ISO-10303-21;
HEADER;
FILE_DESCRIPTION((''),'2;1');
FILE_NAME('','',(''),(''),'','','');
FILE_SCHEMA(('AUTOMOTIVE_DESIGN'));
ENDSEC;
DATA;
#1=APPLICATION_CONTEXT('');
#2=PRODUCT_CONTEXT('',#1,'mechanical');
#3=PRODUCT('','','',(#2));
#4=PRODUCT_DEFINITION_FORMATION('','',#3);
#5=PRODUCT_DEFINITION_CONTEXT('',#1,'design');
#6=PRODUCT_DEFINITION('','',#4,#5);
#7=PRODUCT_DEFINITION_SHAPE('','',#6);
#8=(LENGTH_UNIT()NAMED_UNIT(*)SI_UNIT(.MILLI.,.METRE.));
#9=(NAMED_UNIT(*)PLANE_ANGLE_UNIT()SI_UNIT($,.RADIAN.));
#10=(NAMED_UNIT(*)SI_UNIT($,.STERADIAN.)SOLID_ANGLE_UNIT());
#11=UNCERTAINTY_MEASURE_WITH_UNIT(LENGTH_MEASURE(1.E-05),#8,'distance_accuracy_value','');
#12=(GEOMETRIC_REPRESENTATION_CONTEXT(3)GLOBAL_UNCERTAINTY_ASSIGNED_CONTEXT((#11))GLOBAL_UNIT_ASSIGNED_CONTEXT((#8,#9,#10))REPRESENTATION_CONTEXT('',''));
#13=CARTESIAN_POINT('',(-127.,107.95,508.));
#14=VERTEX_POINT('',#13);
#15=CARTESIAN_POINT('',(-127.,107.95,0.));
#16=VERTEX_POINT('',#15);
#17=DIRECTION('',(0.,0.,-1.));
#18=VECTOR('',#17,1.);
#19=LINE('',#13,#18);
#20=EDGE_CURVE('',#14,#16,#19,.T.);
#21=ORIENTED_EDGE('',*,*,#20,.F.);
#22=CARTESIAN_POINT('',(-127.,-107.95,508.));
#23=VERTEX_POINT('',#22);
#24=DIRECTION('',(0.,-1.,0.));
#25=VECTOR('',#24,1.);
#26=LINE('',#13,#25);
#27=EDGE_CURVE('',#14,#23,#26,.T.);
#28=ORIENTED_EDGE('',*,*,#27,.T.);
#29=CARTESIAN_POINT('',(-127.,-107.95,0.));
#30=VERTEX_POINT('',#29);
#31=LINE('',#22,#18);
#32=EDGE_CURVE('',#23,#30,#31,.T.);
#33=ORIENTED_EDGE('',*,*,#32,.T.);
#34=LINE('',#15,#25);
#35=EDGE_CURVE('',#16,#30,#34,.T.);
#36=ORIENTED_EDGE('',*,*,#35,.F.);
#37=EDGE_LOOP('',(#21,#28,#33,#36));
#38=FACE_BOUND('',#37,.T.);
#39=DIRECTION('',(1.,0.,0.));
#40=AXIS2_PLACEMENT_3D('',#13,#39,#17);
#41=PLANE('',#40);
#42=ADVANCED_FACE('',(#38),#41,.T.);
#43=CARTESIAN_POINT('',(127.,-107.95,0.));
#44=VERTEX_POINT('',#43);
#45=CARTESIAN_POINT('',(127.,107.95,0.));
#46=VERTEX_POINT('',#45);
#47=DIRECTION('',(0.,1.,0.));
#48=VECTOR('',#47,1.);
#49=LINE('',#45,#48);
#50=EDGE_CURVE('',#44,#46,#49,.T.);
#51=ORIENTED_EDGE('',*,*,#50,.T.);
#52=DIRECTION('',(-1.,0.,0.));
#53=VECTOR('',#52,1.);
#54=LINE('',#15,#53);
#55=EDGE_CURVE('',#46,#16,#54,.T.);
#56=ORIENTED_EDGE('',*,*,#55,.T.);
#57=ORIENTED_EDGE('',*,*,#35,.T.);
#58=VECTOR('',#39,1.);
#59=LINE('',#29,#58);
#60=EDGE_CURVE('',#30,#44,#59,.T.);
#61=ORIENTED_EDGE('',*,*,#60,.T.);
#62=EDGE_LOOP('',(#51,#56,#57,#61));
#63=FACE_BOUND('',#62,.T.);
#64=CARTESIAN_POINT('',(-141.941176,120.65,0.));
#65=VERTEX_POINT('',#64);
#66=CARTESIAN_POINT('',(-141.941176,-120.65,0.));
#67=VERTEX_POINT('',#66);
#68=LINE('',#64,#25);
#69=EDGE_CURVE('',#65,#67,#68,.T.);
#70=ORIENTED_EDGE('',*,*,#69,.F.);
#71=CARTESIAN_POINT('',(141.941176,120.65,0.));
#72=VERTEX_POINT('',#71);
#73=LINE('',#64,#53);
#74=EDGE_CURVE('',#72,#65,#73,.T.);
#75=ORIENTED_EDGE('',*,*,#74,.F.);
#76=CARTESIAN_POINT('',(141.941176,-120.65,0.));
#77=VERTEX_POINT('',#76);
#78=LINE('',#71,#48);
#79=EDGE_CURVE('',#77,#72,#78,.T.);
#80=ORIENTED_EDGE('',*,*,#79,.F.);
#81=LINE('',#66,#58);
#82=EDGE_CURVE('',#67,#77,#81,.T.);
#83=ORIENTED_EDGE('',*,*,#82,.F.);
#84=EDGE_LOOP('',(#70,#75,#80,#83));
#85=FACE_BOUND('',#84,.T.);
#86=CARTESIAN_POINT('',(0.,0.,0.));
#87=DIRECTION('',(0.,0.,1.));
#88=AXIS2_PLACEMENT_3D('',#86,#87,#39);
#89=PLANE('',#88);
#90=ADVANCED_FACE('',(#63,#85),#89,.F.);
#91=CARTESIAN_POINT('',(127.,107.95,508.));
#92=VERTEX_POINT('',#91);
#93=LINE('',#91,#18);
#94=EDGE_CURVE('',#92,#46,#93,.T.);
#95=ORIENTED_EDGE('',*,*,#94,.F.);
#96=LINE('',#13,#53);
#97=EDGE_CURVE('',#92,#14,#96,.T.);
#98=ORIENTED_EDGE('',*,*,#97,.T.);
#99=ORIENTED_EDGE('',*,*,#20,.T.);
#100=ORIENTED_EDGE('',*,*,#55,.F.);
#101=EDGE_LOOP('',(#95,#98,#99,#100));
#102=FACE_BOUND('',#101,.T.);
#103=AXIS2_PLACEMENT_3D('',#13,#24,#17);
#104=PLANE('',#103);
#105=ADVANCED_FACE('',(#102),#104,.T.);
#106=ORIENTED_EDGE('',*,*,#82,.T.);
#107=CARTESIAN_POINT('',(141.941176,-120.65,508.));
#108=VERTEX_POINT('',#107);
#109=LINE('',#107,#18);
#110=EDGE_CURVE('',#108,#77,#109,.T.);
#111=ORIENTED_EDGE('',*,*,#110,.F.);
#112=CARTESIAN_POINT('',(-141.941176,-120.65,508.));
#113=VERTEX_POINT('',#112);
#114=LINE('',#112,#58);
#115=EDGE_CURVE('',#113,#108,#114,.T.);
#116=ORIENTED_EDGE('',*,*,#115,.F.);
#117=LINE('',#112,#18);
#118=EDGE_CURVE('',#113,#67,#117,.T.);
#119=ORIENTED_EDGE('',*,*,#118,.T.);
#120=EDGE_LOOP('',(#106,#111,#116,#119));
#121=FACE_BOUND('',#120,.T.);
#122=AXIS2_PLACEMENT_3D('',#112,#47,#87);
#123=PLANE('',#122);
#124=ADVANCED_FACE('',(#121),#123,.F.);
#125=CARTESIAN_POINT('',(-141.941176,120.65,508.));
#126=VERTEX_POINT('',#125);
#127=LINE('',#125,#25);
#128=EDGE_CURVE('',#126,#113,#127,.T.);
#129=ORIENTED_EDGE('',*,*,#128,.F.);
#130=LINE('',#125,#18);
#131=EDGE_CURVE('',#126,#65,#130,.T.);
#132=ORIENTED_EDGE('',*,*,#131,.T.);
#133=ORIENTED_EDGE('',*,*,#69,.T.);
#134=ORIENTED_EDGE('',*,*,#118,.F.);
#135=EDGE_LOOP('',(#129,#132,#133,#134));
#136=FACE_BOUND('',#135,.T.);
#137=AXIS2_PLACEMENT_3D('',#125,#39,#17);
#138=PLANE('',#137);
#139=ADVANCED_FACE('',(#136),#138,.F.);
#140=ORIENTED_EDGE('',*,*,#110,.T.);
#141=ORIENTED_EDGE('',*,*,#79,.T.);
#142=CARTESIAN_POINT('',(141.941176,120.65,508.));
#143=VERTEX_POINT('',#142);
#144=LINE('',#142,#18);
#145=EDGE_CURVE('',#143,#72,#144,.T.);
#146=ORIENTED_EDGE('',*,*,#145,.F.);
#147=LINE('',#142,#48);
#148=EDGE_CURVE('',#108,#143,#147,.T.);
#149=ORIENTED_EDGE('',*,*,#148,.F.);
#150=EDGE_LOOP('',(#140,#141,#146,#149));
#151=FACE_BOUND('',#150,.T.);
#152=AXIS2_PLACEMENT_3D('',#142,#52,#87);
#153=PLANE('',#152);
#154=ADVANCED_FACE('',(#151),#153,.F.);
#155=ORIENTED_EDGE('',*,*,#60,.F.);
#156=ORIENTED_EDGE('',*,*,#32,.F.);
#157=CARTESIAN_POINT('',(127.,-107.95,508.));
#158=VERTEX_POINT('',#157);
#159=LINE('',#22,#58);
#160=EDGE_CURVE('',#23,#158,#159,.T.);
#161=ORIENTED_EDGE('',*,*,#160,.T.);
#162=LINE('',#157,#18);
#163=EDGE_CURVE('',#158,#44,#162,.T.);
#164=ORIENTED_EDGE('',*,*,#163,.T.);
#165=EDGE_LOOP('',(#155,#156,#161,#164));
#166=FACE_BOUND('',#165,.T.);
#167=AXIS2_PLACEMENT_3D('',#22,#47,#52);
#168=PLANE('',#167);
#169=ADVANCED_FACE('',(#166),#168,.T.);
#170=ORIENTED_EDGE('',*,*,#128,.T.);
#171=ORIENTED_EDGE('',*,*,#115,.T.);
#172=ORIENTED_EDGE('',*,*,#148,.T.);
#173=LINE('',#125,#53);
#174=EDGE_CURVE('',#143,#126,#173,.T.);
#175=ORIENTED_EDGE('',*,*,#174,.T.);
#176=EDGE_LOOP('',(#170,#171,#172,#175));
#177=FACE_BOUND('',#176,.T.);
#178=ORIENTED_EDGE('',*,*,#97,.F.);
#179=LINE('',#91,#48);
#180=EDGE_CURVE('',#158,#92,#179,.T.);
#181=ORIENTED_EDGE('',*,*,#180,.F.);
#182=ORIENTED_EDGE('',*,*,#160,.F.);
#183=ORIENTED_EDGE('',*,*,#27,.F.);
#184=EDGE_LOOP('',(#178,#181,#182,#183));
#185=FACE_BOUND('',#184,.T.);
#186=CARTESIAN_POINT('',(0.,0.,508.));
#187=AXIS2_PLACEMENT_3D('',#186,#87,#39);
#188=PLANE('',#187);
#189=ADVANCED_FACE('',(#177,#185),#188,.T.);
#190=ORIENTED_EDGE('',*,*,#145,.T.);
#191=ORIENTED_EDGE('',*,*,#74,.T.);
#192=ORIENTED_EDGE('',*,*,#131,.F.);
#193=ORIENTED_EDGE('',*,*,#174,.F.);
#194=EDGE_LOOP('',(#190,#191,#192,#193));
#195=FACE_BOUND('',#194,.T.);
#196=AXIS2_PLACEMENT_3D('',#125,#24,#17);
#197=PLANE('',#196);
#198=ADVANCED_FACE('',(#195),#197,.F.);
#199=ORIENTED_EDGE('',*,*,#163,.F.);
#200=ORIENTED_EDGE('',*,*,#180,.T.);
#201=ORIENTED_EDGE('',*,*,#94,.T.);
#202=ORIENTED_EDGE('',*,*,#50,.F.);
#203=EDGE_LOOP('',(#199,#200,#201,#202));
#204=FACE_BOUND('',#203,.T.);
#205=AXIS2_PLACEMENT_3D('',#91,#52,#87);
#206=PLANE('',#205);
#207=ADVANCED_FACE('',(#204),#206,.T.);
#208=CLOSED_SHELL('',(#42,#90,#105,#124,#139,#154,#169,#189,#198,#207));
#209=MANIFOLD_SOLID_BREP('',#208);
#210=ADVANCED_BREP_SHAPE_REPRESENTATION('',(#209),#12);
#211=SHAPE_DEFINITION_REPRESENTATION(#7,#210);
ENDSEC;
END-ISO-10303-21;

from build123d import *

# Parameters (mm, degrees)
SKETCH1_W           = 283.882352942
SKETCH1_H           = 241.3
SKETCH1_W_2         = 254
SKETCH1_H_2         = 215.9
BOSS_EXTRUDE1_DEPTH = 508


with BuildPart() as part:
    # Sketch1 → Boss-Extrude1 (new body)
    with BuildSketch(Plane.XY):
        Rectangle(SKETCH1_W, SKETCH1_H)
        Rectangle(SKETCH1_W_2, SKETCH1_H_2, mode=Mode.SUBTRACT)
    extrude(amount=BOSS_EXTRUDE1_DEPTH)


solid = part.part
